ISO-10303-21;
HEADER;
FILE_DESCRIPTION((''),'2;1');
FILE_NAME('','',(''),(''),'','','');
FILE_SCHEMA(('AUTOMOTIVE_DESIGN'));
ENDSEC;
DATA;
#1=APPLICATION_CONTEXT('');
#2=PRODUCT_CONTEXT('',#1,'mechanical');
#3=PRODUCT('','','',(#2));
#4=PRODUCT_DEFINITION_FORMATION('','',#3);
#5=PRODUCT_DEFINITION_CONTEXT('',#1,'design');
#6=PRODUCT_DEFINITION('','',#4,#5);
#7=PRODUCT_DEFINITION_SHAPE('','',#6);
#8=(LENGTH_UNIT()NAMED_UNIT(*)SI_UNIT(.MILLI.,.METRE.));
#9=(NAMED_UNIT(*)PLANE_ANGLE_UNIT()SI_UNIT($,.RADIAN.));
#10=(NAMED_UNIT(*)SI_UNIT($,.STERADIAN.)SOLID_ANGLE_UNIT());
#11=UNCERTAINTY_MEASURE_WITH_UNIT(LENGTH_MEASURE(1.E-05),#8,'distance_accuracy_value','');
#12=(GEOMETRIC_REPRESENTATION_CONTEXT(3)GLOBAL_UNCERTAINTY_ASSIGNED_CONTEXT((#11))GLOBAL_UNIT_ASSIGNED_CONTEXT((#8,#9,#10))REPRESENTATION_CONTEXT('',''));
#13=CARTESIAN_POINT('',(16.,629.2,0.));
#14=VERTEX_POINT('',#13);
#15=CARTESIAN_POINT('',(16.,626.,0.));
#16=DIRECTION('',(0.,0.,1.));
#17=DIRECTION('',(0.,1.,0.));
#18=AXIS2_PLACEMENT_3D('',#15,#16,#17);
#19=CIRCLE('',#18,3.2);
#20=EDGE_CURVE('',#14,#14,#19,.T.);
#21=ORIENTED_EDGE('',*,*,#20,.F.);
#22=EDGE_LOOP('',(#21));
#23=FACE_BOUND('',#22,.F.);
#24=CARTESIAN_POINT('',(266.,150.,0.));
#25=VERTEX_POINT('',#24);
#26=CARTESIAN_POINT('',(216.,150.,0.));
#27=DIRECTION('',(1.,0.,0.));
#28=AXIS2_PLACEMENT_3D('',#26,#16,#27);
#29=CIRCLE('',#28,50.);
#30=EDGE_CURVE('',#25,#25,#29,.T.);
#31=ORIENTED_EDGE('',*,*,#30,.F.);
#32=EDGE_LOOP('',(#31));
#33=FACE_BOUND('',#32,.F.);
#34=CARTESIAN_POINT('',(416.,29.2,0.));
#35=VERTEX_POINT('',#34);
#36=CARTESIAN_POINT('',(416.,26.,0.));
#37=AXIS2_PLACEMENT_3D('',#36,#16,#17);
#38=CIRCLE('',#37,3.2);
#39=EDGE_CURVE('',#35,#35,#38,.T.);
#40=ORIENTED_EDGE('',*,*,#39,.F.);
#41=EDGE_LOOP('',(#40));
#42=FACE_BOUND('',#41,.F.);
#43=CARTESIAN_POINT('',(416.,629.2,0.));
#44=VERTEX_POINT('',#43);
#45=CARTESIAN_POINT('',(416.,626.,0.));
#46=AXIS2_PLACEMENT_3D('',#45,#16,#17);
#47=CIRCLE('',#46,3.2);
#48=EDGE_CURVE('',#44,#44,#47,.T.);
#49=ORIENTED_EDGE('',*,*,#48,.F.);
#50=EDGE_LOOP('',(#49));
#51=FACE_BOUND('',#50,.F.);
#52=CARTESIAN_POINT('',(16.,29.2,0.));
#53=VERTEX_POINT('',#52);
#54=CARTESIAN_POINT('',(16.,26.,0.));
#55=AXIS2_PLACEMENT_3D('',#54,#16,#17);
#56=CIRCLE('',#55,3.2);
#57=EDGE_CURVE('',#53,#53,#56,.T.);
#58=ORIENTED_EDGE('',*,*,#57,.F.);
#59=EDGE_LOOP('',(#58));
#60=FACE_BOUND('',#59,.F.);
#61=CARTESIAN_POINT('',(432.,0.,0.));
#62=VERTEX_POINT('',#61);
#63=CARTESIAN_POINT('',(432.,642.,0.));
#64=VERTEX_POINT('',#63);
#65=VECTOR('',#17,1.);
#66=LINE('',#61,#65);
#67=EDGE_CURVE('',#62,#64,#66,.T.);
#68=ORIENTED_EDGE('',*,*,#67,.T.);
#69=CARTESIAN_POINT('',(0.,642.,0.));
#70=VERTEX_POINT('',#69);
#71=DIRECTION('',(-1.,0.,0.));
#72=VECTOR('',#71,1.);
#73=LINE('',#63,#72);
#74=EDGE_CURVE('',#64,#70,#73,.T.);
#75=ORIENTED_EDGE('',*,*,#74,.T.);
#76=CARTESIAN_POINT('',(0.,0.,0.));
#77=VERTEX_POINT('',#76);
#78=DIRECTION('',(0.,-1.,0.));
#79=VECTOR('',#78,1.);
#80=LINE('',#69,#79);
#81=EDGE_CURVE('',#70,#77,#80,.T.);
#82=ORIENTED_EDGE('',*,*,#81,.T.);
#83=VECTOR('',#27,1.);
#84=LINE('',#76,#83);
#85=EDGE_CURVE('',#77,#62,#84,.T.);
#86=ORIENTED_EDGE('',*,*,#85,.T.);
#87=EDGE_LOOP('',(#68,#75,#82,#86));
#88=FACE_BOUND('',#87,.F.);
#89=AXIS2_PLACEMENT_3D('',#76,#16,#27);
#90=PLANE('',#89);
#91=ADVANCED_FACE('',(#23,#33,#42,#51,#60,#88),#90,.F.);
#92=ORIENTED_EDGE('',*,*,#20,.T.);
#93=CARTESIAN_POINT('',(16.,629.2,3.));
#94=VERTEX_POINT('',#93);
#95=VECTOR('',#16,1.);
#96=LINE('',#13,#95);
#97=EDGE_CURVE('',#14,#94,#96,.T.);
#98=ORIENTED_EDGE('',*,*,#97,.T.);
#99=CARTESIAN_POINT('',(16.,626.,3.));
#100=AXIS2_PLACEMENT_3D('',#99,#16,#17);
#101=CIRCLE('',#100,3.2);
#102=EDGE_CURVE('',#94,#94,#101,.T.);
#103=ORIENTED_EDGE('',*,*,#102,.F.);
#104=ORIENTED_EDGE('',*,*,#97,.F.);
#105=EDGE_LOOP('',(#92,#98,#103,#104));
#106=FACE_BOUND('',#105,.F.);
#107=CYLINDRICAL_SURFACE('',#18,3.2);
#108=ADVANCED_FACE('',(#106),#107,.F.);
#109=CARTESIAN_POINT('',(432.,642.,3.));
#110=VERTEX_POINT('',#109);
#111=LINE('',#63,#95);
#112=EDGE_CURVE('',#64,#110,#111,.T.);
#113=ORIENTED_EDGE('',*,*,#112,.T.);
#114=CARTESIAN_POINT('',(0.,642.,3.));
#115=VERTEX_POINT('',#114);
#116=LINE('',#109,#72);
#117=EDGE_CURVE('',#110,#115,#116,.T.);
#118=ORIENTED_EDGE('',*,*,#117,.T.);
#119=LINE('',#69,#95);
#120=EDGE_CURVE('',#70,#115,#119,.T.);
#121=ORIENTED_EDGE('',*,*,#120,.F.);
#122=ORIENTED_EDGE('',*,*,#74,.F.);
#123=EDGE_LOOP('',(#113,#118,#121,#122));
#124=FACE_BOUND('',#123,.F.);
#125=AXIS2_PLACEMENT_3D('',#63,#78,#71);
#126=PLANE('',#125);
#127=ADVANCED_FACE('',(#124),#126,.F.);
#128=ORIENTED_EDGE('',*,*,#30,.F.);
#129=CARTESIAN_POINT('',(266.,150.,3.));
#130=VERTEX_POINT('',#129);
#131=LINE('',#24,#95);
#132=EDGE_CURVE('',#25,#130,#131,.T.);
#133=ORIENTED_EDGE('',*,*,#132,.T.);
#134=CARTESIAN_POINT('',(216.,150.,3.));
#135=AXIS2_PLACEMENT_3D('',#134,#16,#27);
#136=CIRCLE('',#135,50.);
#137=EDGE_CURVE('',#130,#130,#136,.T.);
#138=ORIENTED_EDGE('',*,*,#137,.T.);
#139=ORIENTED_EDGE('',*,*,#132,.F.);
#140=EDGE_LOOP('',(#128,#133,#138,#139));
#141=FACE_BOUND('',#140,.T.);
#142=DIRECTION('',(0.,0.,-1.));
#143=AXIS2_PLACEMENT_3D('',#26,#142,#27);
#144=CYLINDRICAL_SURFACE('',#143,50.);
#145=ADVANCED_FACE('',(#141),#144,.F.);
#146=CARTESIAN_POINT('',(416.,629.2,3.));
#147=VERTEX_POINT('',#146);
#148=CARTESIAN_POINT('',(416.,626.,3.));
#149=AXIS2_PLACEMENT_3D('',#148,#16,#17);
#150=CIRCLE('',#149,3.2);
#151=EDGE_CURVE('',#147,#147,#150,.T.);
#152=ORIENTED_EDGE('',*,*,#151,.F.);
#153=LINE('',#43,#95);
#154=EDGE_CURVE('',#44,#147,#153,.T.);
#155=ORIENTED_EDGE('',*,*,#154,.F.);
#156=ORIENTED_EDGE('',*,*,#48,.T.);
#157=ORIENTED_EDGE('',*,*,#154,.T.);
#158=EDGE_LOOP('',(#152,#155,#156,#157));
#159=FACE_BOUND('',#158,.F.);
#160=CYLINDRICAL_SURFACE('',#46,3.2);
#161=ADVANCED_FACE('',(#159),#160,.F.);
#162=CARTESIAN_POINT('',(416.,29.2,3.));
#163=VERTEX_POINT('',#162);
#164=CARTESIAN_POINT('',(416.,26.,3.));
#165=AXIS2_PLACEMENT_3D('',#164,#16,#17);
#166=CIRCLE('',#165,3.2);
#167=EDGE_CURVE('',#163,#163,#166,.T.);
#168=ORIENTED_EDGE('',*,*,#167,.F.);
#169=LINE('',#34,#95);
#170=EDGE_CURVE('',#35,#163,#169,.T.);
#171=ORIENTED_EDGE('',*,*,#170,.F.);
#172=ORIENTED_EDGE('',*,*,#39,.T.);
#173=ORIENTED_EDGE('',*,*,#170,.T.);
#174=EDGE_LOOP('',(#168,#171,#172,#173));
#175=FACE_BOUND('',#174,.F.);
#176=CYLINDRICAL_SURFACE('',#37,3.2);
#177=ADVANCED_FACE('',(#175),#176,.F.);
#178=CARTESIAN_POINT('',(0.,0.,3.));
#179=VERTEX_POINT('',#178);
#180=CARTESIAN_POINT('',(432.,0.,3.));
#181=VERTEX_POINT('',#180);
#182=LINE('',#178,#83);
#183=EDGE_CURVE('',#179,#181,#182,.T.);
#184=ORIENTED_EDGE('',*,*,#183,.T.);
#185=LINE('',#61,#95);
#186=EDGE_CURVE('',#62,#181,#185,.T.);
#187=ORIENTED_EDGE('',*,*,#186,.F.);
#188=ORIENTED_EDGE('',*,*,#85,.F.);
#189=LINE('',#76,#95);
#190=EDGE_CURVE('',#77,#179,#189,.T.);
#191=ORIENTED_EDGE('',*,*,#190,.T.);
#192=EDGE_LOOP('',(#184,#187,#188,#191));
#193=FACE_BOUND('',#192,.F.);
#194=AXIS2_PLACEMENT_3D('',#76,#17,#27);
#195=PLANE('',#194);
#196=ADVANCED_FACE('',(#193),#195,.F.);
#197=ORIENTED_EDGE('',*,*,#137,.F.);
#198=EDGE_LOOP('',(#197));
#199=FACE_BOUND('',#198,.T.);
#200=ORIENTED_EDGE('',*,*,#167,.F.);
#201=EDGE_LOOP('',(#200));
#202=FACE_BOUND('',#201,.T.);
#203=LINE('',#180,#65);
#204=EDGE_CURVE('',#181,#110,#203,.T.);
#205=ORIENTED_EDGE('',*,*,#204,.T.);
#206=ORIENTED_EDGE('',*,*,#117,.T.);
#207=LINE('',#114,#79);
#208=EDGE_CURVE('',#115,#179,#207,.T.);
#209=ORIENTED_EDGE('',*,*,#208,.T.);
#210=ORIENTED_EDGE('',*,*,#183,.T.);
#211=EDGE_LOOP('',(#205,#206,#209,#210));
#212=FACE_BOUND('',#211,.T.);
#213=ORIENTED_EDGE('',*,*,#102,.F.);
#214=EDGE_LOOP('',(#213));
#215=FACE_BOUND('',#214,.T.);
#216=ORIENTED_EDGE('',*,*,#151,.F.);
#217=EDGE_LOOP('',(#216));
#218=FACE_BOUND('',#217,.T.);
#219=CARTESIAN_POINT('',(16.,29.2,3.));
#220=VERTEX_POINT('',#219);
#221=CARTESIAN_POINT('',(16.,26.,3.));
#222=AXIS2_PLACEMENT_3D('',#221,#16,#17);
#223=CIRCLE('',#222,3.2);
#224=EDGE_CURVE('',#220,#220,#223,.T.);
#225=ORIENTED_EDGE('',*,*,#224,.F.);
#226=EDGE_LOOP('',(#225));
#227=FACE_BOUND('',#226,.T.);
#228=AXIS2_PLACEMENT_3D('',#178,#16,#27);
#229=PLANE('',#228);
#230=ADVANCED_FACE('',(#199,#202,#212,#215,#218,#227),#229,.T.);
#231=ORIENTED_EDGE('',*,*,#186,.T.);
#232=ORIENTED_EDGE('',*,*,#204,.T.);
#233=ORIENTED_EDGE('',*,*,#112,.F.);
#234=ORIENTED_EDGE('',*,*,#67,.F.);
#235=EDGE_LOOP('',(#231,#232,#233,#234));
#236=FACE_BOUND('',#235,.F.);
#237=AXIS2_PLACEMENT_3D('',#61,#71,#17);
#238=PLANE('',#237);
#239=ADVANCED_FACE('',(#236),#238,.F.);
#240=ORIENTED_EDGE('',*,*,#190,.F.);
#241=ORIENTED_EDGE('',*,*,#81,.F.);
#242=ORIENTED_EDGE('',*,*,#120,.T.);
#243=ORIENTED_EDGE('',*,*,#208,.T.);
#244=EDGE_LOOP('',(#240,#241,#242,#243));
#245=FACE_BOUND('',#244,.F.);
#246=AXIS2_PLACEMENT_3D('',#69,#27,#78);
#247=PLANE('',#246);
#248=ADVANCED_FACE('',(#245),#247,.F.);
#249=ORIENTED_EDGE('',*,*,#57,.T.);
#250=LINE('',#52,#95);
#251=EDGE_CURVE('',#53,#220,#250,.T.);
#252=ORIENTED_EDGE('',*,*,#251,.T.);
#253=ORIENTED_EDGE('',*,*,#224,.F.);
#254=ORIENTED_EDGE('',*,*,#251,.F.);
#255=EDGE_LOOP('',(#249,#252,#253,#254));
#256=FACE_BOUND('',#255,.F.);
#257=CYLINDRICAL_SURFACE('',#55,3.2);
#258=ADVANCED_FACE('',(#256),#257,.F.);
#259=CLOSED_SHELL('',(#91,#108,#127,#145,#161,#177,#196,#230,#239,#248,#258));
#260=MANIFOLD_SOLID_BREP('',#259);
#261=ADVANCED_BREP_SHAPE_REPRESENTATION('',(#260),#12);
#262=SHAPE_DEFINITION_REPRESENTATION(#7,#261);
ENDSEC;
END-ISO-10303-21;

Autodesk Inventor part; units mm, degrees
ref_plane "YZ Plane" through (0, 0, 0) normal (1, 0, 0) x (0, 1, 0)
ref_plane "XZ Plane" through (0, 0, 0) normal (0, 1, 0) x (-1, 0, 0)
ref_plane "XY Plane" through (0, 0, 0) normal (0, 0, 1) x (1, 0, 0)
sketch "Sketch1" plane through (0, 0, 0) normal (0, 0, 1) x (1, 0, 0)
  line L0 (0, 0) -> (432, 0)
  line L1 (432, 0) -> (432, 642)
  line L2 (432, 642) -> (0, 642)
  line L3 (0, 642) -> (0, 0)
  line L4 (16, 626) -> (16, 26) construction
  line L5 (416, 626) -> (416, 26) construction
  line L6 (16, 626) -> (416, 626) construction
  line L7 (16, 26) -> (416, 26) construction
  circle A0 centre (216, 150) radius 50
  dimension "d0" = 432
  dimension "d1" = 642
  dimension "d2" = 600
  dimension "d3" = 400
  dimension "d4" = 16
  dimension "d5" = 16
  dimension "d6" = 100
  dimension "d7" = 150
  dimension "d8" = 216
extrude "Extrusion1" add sketch "Sketch1" along normal blind 3
hole "Hole1" at (16, 626, 0) at (416, 626, 0) at (416, 26, 0) at (16, 26, 0) direction (0, 0, 1) diameter 6.4 end through all
properties part number "top-ventilation-hole-100mm"
